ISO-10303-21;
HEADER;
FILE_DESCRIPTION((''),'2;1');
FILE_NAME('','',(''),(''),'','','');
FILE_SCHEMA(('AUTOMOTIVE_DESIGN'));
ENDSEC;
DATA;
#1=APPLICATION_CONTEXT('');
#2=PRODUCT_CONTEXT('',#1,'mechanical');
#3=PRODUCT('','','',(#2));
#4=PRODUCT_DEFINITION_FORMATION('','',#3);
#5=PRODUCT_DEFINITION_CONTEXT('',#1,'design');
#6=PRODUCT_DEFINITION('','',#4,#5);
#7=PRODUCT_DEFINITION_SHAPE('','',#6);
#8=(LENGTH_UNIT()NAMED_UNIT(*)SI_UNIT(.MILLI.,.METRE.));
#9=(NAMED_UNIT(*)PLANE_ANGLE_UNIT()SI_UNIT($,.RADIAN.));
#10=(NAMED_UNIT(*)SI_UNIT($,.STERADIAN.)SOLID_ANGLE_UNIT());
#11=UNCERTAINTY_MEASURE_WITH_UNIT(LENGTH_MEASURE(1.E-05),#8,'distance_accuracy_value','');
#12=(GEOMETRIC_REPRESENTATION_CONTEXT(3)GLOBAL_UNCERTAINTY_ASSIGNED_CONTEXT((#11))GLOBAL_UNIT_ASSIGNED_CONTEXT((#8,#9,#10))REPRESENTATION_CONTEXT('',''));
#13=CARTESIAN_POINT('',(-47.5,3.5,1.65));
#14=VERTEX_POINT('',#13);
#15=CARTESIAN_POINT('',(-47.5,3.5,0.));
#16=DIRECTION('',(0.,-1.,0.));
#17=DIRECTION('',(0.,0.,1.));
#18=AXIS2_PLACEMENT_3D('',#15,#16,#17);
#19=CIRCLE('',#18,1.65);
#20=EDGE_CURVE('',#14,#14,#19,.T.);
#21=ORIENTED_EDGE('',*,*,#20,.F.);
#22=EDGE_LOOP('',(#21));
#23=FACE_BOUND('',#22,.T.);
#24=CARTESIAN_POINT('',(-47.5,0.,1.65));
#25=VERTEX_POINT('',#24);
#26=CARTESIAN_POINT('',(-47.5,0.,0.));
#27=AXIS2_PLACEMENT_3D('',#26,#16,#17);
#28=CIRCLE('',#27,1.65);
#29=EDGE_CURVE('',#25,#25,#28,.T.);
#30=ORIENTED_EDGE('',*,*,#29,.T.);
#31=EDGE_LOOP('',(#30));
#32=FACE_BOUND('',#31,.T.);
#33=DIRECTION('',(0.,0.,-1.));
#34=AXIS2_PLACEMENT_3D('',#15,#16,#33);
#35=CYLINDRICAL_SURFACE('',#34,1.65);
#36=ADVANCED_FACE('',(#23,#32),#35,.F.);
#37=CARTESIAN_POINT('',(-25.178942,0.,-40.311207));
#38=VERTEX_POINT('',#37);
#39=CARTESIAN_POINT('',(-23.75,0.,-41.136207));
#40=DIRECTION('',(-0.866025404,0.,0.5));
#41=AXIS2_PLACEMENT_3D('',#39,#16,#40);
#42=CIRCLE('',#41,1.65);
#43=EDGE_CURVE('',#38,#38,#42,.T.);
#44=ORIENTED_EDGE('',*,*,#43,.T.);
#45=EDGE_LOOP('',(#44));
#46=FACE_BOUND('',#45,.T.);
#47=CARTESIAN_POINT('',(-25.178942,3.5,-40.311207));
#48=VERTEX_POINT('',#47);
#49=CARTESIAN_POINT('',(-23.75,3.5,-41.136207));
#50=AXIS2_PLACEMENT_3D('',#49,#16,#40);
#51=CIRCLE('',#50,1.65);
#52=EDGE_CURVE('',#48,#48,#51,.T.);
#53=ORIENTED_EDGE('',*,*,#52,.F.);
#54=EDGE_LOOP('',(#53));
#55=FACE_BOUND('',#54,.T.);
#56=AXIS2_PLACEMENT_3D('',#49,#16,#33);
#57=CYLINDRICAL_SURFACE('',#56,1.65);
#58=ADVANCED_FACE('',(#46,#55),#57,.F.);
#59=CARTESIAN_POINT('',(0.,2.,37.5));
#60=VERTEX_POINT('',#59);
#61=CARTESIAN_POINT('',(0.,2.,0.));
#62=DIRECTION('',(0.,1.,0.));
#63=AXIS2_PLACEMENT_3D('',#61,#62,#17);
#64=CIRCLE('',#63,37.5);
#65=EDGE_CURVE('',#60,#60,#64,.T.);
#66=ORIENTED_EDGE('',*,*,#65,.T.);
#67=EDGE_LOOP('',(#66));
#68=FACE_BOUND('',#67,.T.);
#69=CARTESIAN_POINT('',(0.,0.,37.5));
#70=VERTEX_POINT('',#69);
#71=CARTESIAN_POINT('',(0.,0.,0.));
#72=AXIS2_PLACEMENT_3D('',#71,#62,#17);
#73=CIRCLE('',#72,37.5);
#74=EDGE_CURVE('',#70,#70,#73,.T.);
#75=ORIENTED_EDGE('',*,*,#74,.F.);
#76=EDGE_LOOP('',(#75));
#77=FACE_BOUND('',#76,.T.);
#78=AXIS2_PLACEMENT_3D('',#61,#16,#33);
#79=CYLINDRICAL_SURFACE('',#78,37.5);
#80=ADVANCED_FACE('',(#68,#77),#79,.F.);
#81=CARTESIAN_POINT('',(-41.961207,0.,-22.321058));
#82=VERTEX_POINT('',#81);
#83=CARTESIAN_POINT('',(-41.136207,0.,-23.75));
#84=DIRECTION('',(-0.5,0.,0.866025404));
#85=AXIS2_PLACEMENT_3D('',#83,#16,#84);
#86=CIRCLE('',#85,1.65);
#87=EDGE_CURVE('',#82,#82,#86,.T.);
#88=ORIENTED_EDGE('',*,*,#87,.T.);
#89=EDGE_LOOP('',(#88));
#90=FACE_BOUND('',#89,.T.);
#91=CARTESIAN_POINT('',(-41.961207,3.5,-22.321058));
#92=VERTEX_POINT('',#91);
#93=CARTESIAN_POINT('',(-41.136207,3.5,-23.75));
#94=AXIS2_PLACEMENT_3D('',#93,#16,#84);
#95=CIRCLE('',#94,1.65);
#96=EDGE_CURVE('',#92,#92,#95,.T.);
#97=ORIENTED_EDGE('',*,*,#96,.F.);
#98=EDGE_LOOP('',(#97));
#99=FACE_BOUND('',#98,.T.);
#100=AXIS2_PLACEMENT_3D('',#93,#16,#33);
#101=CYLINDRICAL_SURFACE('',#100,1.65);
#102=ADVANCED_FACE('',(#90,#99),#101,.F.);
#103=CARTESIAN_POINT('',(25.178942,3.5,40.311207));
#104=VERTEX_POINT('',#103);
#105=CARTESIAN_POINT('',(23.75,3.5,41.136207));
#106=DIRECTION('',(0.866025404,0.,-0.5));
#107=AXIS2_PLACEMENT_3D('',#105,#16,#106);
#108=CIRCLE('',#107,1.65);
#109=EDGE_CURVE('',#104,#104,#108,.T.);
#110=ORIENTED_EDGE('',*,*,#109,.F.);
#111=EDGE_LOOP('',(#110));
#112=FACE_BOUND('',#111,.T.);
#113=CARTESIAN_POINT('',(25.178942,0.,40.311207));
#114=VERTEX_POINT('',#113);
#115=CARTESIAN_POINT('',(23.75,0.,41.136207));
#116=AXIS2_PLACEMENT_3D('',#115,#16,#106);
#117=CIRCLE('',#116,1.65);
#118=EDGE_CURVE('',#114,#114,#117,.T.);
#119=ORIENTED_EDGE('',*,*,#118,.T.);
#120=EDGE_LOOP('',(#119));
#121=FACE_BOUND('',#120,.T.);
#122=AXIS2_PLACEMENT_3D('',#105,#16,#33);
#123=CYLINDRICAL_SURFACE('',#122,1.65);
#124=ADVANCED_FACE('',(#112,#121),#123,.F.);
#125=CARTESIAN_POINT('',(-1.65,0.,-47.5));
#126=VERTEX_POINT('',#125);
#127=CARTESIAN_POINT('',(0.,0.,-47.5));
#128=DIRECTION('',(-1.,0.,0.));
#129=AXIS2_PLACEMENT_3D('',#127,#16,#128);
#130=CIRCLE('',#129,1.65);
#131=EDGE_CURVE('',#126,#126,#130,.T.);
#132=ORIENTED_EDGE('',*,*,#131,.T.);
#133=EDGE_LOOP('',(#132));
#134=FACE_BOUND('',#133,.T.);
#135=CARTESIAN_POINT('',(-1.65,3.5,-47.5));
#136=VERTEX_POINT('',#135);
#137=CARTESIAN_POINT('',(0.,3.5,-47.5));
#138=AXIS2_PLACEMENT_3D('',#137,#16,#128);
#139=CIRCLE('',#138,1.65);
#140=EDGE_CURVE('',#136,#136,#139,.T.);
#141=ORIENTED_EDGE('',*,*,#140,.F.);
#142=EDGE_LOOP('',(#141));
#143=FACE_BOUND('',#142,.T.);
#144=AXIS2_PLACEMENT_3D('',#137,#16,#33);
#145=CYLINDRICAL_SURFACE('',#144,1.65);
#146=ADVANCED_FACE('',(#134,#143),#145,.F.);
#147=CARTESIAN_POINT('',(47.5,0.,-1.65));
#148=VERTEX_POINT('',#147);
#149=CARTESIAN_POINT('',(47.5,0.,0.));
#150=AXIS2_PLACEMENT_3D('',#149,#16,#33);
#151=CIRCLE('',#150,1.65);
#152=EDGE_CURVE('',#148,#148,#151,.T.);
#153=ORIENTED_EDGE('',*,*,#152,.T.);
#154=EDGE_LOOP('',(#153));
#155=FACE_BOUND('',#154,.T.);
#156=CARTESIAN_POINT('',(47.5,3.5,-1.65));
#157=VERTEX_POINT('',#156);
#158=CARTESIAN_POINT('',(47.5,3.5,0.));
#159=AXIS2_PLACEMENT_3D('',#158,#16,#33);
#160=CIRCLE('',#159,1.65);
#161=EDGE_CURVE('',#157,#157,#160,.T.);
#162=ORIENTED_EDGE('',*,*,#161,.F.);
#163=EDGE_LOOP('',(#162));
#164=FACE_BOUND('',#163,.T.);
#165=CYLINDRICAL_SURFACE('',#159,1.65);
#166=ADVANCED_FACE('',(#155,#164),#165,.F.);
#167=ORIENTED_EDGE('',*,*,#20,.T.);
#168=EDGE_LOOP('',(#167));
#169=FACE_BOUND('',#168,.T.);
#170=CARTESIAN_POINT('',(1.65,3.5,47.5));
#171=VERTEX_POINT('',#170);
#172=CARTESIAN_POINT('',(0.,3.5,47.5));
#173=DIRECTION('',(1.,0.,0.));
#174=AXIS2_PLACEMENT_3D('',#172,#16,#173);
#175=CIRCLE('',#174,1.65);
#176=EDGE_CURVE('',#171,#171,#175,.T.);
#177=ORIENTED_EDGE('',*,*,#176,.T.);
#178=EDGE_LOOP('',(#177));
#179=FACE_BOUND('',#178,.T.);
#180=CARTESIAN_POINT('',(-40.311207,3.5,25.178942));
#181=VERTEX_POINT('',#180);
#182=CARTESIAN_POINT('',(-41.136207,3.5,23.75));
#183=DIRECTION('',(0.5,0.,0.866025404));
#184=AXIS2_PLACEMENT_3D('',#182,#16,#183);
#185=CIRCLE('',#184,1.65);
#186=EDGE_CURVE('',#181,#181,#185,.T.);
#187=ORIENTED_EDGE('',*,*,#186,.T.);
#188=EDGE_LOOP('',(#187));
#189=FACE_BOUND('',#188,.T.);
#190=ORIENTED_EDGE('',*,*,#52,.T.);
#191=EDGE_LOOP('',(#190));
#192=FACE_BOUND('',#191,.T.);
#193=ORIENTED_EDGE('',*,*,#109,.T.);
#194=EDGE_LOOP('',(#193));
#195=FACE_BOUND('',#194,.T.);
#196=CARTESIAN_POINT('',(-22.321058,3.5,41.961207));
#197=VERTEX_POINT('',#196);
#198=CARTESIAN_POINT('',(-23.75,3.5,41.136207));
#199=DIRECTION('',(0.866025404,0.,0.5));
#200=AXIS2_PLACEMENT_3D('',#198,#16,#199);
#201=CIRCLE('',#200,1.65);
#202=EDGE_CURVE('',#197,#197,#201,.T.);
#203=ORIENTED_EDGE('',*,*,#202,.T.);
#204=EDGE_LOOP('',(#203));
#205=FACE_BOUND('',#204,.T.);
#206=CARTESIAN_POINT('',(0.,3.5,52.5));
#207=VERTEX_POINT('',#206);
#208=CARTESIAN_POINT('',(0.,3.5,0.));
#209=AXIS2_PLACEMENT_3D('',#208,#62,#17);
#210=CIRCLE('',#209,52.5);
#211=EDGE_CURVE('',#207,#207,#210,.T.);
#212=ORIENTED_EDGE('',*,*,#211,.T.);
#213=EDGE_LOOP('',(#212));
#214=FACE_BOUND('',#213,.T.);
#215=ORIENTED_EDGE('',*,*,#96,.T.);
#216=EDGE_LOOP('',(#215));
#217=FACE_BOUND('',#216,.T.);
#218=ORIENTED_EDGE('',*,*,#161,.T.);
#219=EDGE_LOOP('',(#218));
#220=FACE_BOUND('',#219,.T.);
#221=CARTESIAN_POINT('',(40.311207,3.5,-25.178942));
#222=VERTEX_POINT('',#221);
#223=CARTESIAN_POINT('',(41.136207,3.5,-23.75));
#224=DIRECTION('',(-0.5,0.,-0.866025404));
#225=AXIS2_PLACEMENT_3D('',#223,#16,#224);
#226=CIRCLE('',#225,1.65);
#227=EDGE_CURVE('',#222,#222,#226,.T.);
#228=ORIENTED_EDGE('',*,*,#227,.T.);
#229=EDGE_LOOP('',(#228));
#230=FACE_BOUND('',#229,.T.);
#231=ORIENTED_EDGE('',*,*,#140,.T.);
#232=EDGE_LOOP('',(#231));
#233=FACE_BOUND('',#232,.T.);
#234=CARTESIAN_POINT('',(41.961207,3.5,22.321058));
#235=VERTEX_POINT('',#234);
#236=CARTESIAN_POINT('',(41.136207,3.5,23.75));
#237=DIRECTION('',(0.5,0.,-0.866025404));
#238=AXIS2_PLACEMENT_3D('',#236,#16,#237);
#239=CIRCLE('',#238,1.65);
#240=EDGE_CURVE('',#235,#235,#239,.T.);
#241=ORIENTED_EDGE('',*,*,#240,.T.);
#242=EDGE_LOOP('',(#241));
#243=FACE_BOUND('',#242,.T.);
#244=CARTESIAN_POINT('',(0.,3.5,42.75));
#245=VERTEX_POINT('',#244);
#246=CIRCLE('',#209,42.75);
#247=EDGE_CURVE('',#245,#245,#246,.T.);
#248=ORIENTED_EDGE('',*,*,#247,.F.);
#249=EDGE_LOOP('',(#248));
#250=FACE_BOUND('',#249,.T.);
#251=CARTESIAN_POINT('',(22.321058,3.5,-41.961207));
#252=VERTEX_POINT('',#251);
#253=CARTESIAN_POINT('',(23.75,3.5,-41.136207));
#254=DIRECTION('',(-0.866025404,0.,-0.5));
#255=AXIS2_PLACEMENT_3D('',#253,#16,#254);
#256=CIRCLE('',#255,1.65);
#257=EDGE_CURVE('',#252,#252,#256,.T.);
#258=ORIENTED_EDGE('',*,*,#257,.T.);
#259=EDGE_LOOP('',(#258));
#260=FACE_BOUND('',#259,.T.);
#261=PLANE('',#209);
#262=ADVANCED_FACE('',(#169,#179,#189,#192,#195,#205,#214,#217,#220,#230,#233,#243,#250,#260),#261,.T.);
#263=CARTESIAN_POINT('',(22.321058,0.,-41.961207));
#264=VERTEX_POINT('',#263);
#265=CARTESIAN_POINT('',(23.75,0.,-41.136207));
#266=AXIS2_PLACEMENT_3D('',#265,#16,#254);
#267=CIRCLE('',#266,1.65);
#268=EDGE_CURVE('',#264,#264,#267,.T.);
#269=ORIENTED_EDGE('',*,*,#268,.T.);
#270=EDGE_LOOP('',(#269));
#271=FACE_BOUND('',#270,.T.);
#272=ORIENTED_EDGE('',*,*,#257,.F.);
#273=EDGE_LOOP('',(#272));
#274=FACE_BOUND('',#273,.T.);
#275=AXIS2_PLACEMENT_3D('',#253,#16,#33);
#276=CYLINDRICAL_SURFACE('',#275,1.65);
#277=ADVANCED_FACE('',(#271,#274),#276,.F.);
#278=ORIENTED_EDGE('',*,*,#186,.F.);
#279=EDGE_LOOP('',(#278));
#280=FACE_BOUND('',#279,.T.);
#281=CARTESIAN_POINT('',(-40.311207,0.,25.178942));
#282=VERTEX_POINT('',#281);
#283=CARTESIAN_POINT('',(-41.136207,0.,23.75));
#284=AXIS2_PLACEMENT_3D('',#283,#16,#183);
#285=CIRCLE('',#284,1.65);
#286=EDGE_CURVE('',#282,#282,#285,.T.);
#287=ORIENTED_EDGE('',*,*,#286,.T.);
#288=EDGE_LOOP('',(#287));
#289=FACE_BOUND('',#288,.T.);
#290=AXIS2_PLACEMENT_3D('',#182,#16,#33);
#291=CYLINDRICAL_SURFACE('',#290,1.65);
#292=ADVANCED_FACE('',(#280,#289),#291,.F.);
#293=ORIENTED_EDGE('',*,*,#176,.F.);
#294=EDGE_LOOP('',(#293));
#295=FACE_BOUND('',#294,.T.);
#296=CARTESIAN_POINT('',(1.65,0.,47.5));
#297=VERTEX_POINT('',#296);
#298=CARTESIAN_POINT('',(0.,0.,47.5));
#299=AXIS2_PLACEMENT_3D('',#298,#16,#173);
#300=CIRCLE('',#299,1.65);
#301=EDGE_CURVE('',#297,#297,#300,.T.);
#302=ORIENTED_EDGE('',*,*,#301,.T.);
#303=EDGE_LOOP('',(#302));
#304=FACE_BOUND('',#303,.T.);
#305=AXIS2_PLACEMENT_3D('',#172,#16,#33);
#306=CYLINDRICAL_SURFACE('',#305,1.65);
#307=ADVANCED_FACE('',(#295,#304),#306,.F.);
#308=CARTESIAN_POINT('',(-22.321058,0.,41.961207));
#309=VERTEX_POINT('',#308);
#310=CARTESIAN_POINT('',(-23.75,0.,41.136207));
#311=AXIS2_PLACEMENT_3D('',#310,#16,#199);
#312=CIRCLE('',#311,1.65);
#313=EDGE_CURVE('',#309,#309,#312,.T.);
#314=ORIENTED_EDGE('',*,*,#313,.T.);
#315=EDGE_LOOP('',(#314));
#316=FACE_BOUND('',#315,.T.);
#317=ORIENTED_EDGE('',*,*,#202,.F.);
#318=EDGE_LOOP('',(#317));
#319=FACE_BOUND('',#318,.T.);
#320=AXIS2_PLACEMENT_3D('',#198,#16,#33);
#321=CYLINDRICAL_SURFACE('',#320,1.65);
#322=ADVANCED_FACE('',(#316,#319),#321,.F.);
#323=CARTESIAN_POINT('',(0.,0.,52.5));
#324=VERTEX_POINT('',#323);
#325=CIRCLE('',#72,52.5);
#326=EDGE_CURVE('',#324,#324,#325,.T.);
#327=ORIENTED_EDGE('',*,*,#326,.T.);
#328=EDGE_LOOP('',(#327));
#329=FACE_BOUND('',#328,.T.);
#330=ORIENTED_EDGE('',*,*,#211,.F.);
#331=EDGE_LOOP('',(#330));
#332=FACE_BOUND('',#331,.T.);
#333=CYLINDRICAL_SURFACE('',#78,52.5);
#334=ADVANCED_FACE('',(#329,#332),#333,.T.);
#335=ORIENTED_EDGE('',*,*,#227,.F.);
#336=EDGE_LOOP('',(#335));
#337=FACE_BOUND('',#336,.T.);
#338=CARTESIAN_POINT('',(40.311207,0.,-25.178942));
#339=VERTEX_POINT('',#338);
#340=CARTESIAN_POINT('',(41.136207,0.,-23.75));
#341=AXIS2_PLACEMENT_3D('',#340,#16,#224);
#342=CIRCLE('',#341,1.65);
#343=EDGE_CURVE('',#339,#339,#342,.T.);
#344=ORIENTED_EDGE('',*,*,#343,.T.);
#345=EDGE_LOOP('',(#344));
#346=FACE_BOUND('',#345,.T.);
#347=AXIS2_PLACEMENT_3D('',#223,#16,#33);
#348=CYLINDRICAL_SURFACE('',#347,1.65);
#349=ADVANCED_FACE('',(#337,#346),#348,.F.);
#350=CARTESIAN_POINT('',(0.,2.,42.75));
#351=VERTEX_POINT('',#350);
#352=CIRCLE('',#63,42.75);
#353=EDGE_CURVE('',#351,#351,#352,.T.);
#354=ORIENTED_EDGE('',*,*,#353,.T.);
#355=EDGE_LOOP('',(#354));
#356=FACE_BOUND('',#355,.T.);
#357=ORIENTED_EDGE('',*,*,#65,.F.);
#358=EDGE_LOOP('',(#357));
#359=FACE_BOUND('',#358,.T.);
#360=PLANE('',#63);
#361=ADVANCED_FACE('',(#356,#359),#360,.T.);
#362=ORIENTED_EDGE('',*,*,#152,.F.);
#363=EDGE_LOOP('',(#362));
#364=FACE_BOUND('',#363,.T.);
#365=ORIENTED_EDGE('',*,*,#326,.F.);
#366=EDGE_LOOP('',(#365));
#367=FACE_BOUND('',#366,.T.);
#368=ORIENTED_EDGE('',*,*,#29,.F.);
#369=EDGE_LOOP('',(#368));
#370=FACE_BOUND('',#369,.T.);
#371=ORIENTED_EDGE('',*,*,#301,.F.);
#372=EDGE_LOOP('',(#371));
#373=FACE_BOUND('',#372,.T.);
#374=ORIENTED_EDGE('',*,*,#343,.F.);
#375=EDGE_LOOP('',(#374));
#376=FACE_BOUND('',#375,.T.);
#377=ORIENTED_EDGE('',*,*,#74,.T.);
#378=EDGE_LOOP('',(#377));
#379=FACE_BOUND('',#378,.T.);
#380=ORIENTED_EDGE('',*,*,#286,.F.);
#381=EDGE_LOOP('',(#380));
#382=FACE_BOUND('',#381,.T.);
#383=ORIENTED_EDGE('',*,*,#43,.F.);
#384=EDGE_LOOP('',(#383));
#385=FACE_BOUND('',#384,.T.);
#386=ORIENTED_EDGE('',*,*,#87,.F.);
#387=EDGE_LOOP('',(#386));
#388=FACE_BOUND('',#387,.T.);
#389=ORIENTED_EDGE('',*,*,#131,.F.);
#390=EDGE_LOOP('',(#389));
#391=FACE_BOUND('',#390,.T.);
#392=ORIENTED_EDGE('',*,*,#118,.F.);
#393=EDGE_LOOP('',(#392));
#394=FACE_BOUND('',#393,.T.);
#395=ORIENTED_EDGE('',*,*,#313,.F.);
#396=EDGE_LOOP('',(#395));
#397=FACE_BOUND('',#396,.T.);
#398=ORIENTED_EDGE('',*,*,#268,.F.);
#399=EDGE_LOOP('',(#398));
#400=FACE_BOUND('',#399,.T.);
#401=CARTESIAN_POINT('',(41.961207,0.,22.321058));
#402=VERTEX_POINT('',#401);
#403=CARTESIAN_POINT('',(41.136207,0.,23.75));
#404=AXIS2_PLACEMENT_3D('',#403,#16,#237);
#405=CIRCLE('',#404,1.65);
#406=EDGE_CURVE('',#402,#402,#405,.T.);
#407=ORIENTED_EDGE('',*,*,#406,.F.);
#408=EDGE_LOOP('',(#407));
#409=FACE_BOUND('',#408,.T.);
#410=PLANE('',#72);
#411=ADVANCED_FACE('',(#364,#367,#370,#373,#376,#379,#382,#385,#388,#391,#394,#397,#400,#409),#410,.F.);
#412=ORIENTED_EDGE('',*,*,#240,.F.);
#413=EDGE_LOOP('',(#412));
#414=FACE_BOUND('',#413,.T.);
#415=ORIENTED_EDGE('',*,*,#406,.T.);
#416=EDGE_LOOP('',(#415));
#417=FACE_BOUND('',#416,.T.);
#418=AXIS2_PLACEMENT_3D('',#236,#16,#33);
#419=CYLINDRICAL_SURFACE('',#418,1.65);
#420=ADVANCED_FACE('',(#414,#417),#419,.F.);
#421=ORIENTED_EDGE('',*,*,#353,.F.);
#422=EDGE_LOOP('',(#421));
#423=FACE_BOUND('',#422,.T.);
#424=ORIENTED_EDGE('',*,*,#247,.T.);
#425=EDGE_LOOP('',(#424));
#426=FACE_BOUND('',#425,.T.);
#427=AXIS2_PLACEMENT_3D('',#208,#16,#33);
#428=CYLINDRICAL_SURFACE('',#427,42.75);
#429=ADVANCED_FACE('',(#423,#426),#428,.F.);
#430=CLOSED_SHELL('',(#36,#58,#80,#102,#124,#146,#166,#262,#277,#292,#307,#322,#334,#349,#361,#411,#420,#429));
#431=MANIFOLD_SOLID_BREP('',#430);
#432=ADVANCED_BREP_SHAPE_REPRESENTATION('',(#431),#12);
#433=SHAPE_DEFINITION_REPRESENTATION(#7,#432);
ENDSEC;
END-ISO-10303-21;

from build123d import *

# Parameters (mm, degrees)
SKETCH1_R           = 52.5
SKETCH1_R_2         = 37.5
BOSS_EXTRUDE1_DEPTH = 2
SKETCH2_R           = 52.5
SKETCH2_R_2         = 42.75
BOSS_EXTRUDE2_DEPTH = 1.5
SKETCH3_R           = 1.65
CUT_EXTRUDE1_DEPTH  = 75.328662036
CIRPATTERN1_COUNT   = 12


with BuildPart() as part:
    # Sketch1 → Boss-Extrude1 (new body)
    with BuildSketch(Plane(origin=(0, 0, 0), x_dir=(1, 0, 0), z_dir=(0, 1, 0))):
        with Locations(Location((0, 0, 0), (0, 0, 270))):
            Circle(SKETCH1_R)
        with Locations(Location((0, 0, 0), (0, 0, 270))):
            Circle(SKETCH1_R_2, mode=Mode.SUBTRACT)
    extrude(amount=BOSS_EXTRUDE1_DEPTH)

    # Sketch2 → Boss-Extrude2 (add)
    with BuildSketch(Plane(origin=(0, 2, 0), x_dir=(1, 0, 0), z_dir=(0, 1, 0))):
        with Locations(Location((0, 0, 0), (0, 0, 270))):
            Circle(SKETCH2_R)
        with Locations(Location((0, 0, 0), (0, 0, 270))):
            Circle(SKETCH2_R_2, mode=Mode.SUBTRACT)
    extrude(amount=BOSS_EXTRUDE2_DEPTH)

    # Sketch3 → Cut-Extrude1 (cut, through all)
    with BuildSketch(Plane.XZ):
        with Locations(Location((47.5, 0, 0), (0, 0, 270))):
            Circle(SKETCH3_R)
    cut_extrude1 = extrude(amount=-CUT_EXTRUDE1_DEPTH, mode=Mode.SUBTRACT)

    # CirPattern1: Cut-Extrude1 ×12 about axis
    cirpattern1_axis = Axis((0, 0, 0), (0, 1, 0))
    for i in range(1, CIRPATTERN1_COUNT):
        add(cut_extrude1.rotate(cirpattern1_axis, i * 360 / CIRPATTERN1_COUNT), mode=Mode.SUBTRACT)


solid = part.part
